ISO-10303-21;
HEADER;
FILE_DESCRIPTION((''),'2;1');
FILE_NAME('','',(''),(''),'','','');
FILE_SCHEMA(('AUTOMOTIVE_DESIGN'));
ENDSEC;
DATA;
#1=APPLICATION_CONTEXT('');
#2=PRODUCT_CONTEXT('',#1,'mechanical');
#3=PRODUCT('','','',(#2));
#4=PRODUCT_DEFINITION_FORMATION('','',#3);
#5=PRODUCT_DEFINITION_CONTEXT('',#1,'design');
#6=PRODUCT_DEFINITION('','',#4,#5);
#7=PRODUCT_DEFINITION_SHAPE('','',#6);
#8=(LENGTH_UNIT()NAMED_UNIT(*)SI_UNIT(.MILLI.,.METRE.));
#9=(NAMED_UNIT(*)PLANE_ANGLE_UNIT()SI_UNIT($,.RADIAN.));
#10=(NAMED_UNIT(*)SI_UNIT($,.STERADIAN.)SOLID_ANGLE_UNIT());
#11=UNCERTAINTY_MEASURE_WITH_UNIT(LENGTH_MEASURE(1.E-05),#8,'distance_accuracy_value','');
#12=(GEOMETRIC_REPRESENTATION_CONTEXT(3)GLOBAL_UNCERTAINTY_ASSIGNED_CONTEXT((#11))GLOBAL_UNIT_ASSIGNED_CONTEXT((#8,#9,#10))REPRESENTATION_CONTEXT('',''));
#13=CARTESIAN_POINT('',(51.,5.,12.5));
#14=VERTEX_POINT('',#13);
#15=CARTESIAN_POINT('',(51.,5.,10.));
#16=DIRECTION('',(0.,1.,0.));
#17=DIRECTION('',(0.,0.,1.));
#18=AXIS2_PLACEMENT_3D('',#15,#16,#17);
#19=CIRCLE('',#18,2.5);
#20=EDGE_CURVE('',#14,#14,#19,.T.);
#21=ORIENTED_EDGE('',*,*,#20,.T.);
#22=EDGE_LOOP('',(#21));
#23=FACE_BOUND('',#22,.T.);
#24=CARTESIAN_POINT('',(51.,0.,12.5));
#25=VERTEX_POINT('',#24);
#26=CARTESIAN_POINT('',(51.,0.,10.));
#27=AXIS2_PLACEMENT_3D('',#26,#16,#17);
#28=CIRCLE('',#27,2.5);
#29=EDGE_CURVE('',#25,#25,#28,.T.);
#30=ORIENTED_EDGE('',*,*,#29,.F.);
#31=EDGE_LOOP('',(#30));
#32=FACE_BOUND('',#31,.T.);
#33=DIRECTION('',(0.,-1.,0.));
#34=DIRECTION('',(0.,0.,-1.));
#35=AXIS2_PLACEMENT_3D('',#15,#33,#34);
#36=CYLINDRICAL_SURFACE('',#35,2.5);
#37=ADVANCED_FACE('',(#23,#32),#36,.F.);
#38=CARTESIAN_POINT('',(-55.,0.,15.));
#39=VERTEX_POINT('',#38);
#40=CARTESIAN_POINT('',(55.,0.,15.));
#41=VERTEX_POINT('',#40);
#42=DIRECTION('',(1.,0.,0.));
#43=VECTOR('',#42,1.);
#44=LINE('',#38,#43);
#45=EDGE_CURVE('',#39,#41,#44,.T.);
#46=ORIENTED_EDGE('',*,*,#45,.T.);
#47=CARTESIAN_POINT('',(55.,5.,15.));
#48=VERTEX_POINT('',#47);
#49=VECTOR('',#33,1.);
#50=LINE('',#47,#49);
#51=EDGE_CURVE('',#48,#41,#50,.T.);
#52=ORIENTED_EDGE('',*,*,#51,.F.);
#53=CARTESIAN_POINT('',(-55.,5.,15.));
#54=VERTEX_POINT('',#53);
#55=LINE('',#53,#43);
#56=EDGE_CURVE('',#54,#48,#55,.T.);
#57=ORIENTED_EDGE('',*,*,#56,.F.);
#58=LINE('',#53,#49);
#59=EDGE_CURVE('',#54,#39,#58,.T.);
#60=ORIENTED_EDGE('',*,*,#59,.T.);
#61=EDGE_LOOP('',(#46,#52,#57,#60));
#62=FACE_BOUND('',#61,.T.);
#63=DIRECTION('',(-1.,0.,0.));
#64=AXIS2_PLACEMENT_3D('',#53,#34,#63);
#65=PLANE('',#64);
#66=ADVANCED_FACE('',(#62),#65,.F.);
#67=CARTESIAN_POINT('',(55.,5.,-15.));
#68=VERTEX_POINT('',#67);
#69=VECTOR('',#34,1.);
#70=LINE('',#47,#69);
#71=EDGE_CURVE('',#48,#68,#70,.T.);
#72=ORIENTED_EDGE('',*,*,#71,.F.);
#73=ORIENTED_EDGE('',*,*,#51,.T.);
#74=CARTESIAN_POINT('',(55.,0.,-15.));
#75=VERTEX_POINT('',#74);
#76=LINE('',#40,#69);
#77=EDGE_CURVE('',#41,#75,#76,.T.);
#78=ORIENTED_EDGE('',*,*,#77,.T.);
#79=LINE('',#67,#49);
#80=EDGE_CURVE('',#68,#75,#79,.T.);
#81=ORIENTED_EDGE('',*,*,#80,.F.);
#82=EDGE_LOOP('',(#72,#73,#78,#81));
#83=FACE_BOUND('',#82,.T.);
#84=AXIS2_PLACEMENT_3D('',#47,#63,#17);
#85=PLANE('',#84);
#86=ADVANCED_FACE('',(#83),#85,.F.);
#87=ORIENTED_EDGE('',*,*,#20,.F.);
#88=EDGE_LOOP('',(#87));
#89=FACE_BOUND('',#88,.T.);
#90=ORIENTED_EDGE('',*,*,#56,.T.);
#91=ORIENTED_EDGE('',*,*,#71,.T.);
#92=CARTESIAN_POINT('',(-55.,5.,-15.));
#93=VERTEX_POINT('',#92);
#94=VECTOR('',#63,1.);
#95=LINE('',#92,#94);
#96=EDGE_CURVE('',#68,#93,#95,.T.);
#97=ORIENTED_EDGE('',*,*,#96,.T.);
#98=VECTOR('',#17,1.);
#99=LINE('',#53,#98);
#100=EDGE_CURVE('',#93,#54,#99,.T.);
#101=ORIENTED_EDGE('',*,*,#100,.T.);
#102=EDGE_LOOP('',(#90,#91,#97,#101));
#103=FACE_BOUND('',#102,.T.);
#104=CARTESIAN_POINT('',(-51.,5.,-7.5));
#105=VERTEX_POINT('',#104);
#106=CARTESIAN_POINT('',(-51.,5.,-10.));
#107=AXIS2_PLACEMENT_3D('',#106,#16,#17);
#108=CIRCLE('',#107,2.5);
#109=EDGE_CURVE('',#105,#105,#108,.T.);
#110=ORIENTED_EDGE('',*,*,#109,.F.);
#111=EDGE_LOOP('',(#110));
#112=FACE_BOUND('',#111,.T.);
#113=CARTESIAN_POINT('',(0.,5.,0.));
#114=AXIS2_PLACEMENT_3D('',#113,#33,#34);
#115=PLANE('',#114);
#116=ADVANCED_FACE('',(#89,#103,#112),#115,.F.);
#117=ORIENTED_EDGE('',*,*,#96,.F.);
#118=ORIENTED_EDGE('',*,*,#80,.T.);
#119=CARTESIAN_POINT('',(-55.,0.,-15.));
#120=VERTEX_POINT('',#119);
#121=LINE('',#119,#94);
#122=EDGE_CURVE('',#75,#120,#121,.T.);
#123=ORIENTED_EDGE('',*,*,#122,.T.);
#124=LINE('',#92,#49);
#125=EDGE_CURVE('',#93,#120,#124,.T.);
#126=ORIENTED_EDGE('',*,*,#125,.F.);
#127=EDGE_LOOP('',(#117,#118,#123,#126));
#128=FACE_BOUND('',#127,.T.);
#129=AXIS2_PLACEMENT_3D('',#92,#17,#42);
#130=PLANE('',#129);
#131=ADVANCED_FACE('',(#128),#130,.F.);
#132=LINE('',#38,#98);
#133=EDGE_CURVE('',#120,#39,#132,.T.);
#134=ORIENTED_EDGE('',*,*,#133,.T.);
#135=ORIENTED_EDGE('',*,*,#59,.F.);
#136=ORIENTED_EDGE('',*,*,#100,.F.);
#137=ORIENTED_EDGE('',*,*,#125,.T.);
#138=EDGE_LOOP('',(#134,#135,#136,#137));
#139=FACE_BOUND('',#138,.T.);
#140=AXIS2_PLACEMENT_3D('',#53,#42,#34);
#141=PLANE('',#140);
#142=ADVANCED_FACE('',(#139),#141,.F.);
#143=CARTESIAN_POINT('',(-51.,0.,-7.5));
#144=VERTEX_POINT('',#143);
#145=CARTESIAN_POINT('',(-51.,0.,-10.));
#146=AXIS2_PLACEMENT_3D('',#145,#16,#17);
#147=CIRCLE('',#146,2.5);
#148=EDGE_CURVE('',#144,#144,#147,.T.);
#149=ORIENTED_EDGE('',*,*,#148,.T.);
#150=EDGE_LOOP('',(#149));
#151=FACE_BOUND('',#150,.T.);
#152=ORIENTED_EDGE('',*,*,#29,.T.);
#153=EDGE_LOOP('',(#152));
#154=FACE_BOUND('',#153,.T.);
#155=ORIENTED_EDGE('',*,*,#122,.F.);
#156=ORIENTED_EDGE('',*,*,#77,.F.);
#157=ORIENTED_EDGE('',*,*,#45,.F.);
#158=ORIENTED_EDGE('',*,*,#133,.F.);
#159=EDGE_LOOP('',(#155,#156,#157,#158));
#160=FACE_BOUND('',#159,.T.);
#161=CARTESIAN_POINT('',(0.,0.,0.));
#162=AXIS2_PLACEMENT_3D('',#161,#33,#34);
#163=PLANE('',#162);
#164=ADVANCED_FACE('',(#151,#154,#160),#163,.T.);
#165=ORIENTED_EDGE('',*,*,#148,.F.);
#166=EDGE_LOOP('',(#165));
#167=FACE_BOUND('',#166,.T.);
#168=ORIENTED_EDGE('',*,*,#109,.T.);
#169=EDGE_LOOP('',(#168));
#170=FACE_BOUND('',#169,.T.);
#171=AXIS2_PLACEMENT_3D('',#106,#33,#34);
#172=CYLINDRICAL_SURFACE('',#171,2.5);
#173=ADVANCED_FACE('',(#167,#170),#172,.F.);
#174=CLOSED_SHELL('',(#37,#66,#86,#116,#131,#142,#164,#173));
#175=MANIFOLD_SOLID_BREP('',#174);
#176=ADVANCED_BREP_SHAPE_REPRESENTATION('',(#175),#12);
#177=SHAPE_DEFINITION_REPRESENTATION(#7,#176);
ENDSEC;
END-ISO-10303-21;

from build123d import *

# Parameters (mm, degrees)
SKIZZE1_W                       = 110
SKIZZE1_H                       = 30
SKIZZE1_R                       = 2.5
AUFSATZ_LINEAR_AUSTRAGEN1_DEPTH = 5


with BuildPart() as part:
    # Skizze1 → Aufsatz-Linear austragen1 (new body)
    with BuildSketch(Plane(origin=(0, 0, 0), x_dir=(1, 0, 0), z_dir=(0, 1, 0))):
        Rectangle(SKIZZE1_W, SKIZZE1_H)
        with Locations(Location((-51, 10, 0), (0, 0, 270))):
            Circle(SKIZZE1_R, mode=Mode.SUBTRACT)
        with Locations(Location((51, -10, 0), (0, 0, 270))):
            Circle(SKIZZE1_R, mode=Mode.SUBTRACT)
    extrude(amount=AUFSATZ_LINEAR_AUSTRAGEN1_DEPTH)


solid = part.part
